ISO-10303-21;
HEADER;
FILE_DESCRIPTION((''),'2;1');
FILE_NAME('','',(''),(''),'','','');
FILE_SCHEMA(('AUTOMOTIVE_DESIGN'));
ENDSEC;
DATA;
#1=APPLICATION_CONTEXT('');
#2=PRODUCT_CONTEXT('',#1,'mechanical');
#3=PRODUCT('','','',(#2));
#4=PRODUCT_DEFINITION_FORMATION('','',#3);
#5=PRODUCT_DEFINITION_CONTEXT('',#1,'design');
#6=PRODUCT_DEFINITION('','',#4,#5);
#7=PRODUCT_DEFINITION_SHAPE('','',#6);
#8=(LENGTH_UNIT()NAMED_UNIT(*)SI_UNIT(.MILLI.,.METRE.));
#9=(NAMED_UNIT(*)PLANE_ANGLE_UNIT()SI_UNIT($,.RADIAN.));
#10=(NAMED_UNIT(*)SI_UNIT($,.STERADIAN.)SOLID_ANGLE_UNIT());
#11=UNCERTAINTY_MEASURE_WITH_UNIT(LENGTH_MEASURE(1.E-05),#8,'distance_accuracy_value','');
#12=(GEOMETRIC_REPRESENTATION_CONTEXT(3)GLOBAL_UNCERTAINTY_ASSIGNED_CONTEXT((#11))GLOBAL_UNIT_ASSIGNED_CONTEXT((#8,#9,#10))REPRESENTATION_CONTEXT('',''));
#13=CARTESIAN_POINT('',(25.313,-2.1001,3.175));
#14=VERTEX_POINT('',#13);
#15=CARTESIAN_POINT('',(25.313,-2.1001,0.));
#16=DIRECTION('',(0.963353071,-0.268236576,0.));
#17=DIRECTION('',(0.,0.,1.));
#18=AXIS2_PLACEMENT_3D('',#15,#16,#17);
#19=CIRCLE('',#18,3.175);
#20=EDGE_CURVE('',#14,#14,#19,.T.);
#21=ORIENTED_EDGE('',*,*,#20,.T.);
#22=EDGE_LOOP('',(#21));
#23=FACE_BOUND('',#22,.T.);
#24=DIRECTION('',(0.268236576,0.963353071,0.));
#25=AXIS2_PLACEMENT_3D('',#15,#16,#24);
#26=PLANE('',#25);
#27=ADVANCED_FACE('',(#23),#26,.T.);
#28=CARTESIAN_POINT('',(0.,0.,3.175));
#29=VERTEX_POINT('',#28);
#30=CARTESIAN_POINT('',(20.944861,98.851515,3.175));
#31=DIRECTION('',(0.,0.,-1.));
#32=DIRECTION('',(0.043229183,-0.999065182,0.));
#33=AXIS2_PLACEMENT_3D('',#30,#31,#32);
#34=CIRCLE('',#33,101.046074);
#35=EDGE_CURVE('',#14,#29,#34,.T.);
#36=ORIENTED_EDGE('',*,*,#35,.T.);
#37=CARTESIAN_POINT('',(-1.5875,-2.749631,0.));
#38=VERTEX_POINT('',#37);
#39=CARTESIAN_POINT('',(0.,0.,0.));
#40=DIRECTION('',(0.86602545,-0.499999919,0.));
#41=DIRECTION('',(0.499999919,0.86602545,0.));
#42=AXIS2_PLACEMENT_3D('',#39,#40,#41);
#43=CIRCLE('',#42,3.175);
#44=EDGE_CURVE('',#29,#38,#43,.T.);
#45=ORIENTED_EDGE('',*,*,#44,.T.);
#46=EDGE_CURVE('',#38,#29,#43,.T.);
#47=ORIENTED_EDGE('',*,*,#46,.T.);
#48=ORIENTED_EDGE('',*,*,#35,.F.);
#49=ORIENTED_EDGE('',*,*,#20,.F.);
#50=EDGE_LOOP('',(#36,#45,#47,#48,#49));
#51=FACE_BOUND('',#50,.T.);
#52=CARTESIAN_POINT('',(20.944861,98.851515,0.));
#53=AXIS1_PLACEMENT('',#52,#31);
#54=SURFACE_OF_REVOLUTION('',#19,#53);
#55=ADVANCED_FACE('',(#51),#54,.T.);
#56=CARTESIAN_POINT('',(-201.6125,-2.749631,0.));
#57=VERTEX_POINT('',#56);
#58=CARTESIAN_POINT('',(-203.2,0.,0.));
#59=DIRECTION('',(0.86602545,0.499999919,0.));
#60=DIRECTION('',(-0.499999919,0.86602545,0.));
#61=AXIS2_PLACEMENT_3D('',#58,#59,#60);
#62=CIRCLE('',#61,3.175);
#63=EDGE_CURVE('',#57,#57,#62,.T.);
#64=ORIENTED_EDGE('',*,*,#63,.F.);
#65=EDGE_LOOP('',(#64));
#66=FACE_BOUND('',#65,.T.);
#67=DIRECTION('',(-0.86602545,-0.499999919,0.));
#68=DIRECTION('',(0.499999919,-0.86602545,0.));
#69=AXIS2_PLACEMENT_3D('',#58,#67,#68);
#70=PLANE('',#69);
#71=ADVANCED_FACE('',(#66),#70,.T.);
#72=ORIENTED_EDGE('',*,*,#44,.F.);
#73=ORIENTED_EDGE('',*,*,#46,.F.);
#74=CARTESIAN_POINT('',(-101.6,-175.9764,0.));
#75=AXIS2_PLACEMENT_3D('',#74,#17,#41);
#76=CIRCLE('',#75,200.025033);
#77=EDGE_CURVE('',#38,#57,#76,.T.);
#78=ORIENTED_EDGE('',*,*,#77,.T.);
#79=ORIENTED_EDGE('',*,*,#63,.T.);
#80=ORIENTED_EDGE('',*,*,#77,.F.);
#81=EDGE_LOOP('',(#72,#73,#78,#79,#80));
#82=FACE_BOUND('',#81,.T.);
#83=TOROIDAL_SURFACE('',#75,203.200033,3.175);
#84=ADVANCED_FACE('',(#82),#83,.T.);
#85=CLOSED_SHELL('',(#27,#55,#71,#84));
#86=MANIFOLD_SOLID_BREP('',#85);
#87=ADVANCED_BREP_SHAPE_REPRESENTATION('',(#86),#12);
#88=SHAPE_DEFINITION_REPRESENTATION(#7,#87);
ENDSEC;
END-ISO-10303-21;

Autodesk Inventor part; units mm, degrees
sketch "Sketch1" plane through (0, 0, 0) normal (0, 0, 1) x (1, 0, 0)
  arc A0 (0, 0) -> (-203.2, 0) centre (-101.6, -175.9764) ccw
  dimension "d0" = 203.2
  dimension "d1" = 203.2
ref_plane "Work Plane1" through (0, 0, 0) normal (-0.866, 0.5, 0) x (-0.5, -0.866, 0)
ref_plane "Work Plane2" through (-203.2, 0, 0) normal (-0.866, -0.5, 0) x (0.5, -0.866, 0)
sketch "Sketch2" plane through (0, 0, 0) normal (-0.866, 0.5, 0) x (-0.5, -0.866, 0)
  circle A0 centre (0, 0) radius 3.175
  dimension "d2" = 6.35
sketch "Sketch3" plane through (-203.2, 0, 0) normal (-0.866, -0.5, 0) x (0.5, -0.866, 0)
  circle A0 centre (0, 0) radius 3.175
  point P0 (101.6, 0)
  dimension "d3" = 6.35
sweep "Sweep1" add profiles "Sketch3" path "Sketch1"
sketch "Sketch4" plane through (0, 0, 0) normal (-0.866, 0.5, 0) x (-0.5, -0.866, 0)
  point P0 (0, 0)
sketch "Sketch5" plane through (-203.2, 0, 0) normal (-0.866, -0.5, 0) x (0.5, -0.866, 0)
  point P0 (101.6, 0)
sketch "Sketch6" plane through (0, 0, 0) normal (0.866, -0.5, 0) x (0, 0, 1)
  point P0 (0, 0)
sketch "Sketch7" plane through (0, 0, 0) normal (0, 1, 0) x (-1, 0, 0)
  point P0 (0, 0)
ref_plane "Work Plane3" through (-101.6, -175.9764, 0) normal (0, 0, -1) x (-1, 0, 0)
sketch "Sketch8" plane through (-101.6, -175.9764, 0) normal (0, 0, -1) x (-1, 0, 0)
  arc A0 (-126.913, 173.8763) -> (-101.6, 175.9764) centre (-122.5449, 274.8299) ccw
  dimension "d6" = 25.4
sketch "Sketch9" plane through (0, 0, 0) normal (0.866, -0.5, 0) x (0, 0, 1)
  circle A0 centre (0, 0) radius 3.175
  point P0 (0, 0)
sweep "Sweep2" add profiles "Sketch9" path "Sketch8"
sketch "Sketch10" plane through (25.313, -2.1001, 0) normal (0.9634, -0.2682, 0) x (0, 0, -1)
  point P0 (0, -4.7669)
sketch "Sketch11" plane through (-203.2, 0, 0) normal (-0.866, -0.5, 0) x (0, 0, -1)
  point P0 (0, 101.6)
properties part number "CapBallHolderArmNew"
